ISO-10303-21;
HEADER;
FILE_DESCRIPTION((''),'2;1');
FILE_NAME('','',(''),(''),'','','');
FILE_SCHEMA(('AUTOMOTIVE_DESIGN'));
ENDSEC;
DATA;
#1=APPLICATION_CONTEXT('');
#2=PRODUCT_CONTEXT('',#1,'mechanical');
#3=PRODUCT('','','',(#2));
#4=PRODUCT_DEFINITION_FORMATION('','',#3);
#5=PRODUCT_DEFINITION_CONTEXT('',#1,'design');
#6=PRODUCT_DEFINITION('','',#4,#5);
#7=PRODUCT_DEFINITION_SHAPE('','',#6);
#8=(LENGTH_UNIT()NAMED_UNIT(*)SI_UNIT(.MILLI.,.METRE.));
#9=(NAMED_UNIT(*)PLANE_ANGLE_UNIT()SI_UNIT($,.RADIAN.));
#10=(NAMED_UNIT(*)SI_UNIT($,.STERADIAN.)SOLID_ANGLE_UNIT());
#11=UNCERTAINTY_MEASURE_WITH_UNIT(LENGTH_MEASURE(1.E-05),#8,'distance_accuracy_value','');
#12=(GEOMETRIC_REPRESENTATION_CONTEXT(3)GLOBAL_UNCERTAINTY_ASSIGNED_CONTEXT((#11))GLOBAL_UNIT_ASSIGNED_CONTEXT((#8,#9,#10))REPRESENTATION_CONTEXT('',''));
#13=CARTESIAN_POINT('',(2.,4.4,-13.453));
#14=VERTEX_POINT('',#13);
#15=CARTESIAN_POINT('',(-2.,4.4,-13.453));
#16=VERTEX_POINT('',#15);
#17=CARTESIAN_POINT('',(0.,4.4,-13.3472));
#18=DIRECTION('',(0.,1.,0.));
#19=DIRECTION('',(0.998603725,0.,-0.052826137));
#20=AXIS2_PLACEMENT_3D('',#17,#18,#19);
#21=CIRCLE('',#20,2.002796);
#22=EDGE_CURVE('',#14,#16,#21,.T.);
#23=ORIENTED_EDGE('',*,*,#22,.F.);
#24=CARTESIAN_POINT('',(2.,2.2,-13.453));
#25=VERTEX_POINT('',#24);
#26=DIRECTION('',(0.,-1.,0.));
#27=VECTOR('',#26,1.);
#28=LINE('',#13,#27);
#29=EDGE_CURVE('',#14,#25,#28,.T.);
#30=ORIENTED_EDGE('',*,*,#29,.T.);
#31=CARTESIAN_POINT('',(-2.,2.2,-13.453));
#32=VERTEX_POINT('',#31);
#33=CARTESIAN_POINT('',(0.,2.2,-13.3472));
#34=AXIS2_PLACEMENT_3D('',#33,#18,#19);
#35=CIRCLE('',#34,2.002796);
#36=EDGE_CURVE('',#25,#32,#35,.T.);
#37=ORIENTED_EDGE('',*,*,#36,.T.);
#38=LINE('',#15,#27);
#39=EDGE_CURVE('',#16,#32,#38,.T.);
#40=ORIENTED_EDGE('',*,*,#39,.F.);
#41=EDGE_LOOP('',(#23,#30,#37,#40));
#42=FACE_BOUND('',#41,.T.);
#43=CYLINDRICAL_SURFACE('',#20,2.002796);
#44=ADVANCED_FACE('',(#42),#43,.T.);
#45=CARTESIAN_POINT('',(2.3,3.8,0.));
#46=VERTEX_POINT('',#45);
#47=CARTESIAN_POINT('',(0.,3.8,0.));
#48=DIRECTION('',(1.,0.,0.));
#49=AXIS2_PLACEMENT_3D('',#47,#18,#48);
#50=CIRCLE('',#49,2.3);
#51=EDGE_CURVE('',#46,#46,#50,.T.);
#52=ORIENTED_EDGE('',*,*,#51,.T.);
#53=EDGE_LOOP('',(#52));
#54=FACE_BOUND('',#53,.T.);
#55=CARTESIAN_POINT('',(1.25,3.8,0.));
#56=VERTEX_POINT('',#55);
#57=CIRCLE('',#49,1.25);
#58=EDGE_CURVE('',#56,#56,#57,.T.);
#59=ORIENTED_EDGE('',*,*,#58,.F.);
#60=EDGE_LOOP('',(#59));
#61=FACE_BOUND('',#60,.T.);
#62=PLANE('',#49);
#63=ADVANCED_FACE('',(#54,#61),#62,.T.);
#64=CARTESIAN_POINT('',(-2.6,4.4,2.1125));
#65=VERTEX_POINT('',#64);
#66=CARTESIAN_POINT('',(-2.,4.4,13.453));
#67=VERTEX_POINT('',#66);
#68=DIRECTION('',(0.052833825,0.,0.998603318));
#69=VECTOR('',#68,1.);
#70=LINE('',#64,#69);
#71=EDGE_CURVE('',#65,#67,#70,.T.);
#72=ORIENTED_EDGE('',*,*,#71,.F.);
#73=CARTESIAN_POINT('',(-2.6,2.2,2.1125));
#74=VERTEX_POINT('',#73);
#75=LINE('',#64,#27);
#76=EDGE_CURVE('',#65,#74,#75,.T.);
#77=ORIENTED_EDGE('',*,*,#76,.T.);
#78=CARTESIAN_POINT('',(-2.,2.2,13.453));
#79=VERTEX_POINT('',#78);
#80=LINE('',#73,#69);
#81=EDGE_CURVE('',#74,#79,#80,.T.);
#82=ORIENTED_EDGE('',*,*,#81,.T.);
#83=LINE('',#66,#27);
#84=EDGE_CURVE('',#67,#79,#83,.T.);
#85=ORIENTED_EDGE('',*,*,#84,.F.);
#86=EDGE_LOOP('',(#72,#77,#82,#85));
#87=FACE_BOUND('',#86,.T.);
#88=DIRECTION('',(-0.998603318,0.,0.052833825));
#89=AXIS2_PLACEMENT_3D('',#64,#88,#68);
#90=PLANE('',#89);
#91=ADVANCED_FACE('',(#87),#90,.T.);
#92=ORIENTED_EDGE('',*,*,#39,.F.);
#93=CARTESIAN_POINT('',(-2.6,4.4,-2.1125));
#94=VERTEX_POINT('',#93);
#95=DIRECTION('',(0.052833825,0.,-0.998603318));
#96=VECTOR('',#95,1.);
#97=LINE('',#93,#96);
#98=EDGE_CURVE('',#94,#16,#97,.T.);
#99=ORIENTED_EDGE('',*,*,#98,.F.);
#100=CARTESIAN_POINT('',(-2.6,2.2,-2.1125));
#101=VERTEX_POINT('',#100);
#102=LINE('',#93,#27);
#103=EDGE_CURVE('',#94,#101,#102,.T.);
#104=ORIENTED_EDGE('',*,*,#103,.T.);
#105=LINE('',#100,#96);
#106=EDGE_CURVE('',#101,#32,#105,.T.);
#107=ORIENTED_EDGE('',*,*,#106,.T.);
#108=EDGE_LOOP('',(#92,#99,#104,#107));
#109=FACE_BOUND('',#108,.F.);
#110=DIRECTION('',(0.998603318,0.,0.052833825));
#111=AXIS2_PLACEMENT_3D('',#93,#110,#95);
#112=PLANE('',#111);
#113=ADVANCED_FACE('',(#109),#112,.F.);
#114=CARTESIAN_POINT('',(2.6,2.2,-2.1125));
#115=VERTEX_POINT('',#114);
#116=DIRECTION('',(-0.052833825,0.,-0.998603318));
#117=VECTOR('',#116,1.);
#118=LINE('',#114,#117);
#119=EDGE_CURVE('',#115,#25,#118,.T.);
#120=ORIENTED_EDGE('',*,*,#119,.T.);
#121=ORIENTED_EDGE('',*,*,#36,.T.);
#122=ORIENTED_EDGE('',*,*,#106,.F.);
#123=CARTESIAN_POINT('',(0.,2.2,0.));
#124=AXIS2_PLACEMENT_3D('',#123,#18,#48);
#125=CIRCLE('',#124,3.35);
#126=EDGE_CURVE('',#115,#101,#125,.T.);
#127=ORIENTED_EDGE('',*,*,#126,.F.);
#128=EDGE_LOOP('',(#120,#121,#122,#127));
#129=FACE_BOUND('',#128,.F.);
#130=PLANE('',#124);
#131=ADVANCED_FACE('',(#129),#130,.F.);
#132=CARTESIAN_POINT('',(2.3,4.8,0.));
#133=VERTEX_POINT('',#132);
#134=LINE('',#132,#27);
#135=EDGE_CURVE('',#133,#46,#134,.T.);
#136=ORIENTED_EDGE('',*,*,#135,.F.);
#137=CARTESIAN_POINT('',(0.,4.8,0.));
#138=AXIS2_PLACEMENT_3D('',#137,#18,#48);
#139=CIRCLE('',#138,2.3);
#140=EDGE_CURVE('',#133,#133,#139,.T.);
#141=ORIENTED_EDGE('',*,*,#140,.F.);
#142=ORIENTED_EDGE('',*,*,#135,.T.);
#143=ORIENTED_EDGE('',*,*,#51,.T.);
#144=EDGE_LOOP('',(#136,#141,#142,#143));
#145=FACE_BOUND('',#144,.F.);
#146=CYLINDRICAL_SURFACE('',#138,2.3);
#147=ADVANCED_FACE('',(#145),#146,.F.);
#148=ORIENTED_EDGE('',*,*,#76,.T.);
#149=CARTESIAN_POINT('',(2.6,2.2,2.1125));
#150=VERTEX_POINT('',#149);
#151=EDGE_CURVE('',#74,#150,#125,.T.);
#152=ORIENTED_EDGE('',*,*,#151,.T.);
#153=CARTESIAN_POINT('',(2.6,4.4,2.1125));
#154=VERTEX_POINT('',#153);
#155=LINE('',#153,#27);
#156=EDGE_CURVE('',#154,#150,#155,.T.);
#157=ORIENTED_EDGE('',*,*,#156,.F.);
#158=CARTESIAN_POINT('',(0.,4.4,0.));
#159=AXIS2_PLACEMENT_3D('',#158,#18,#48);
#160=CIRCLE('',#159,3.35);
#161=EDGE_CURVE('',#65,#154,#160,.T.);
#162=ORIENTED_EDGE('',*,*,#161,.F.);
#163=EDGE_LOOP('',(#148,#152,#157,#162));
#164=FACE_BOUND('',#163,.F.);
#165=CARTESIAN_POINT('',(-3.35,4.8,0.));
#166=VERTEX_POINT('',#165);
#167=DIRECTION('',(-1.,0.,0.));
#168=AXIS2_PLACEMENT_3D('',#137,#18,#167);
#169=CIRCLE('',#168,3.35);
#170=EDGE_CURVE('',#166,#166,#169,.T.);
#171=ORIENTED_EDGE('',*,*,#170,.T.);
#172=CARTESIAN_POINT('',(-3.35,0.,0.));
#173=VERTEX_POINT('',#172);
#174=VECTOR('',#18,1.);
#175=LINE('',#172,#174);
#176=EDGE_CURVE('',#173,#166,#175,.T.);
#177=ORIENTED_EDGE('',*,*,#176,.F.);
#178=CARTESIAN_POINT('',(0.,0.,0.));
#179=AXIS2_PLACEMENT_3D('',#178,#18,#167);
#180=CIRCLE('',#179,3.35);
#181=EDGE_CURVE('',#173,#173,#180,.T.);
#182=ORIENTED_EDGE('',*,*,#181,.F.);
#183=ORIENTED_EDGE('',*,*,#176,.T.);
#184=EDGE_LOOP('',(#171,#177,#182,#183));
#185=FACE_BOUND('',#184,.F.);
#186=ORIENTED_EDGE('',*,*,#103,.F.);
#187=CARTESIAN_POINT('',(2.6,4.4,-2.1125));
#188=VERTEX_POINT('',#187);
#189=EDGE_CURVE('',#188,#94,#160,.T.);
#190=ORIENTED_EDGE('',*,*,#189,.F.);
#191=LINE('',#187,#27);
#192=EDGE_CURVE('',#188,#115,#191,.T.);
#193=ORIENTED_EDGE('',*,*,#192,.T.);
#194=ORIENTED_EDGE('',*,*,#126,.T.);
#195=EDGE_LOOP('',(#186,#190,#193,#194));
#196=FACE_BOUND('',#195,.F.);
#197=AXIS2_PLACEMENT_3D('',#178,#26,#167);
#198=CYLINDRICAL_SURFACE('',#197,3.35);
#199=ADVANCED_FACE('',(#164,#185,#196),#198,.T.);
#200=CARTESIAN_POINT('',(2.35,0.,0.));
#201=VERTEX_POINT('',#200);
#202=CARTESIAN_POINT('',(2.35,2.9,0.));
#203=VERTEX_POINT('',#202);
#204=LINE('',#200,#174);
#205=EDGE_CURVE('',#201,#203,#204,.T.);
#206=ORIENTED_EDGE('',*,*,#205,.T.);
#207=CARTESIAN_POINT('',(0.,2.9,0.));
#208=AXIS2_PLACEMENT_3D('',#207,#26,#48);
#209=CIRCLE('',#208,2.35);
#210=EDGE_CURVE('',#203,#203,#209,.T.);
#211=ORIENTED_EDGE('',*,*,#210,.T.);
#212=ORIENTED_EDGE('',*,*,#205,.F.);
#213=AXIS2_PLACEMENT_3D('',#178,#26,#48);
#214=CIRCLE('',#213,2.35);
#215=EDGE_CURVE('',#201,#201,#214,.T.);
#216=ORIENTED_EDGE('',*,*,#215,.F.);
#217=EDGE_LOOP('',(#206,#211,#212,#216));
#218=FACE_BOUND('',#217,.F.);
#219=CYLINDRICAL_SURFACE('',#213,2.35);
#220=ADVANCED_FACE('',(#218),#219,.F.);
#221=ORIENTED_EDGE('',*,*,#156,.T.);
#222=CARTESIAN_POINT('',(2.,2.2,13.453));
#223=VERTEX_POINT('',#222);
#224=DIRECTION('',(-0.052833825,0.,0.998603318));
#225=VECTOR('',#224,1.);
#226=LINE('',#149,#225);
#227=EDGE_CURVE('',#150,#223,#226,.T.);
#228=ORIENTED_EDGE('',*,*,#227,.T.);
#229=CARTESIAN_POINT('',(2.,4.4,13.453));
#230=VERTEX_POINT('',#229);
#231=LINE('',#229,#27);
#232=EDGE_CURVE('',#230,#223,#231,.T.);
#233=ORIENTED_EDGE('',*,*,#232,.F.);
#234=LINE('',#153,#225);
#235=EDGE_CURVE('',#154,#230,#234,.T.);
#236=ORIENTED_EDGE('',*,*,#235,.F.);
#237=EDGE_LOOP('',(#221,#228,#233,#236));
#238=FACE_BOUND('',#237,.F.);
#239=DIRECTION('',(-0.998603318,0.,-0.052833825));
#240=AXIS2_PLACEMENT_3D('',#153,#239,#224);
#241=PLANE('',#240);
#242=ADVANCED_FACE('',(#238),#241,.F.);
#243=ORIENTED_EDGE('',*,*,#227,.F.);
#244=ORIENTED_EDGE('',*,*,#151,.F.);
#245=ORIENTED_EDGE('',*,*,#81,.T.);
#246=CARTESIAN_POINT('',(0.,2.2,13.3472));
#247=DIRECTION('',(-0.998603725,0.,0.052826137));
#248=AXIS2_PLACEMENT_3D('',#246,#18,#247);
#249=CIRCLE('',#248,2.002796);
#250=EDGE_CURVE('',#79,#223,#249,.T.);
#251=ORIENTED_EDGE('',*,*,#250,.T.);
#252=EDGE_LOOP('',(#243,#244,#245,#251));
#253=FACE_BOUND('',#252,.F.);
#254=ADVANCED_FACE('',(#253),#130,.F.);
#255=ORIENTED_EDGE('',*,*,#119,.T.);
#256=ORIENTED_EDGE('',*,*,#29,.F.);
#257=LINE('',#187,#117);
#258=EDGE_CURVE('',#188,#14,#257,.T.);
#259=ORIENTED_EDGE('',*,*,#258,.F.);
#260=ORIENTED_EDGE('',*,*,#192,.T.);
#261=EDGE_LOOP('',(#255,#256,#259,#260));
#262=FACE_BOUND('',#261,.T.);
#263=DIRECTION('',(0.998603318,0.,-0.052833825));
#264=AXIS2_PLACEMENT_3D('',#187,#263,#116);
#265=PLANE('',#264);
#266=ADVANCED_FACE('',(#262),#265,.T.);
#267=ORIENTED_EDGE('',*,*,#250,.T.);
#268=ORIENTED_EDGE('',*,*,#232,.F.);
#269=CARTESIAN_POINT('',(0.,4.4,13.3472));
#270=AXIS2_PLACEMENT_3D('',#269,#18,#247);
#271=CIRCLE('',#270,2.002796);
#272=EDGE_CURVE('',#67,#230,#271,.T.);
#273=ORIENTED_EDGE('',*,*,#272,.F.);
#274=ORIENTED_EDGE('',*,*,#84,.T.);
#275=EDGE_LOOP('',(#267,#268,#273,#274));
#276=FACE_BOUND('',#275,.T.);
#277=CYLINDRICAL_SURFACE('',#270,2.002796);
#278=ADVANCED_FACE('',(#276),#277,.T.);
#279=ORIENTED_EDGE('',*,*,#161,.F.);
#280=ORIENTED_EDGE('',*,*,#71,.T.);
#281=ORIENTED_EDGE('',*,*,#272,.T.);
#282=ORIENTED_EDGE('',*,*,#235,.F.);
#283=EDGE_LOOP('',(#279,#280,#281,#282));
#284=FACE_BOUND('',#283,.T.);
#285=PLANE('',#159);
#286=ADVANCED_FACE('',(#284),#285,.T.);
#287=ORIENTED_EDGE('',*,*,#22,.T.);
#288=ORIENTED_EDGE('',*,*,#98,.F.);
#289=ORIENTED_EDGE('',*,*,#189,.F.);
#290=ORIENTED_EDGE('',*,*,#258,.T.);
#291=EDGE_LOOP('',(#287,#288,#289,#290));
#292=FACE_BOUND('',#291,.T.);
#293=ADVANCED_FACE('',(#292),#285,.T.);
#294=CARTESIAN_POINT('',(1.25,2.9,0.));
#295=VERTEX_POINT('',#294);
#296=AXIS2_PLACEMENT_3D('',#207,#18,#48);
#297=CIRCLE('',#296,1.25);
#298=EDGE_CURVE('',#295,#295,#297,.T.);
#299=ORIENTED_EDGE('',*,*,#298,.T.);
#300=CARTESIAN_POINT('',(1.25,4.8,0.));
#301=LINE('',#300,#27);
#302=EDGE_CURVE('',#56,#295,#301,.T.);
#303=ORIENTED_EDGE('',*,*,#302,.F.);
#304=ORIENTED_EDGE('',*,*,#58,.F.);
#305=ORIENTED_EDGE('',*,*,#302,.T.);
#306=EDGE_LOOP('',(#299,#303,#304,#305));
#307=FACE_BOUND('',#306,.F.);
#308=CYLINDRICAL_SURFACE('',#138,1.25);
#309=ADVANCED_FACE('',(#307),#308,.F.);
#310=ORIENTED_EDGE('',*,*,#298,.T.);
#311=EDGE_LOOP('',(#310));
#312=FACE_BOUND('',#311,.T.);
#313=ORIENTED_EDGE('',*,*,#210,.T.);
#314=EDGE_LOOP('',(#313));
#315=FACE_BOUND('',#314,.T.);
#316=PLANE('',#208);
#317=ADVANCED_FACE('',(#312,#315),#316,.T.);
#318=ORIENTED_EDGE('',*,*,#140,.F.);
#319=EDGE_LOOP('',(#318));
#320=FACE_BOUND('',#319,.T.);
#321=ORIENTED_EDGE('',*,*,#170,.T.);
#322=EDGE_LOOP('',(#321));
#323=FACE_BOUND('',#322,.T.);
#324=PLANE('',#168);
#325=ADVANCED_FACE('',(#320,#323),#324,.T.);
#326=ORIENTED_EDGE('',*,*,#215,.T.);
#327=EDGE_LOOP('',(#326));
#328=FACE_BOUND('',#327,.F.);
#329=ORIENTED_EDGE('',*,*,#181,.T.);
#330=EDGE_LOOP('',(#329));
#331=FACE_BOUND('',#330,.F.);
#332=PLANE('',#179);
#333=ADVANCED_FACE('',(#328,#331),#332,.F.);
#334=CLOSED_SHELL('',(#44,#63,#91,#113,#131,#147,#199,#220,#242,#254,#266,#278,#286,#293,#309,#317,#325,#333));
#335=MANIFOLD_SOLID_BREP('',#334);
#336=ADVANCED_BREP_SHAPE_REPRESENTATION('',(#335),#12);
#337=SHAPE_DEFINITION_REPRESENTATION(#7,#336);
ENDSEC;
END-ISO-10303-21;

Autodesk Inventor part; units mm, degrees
ref_plane "YZ Plane" through (0, 0, 0) normal (1, 0, 0) x (0, 1, 0)
ref_plane "XZ Plane" through (0, 0, 0) normal (0, 1, 0) x (-1, 0, 0)
sketch "Sketch1" plane through (0, 0, 0) normal (0, 1, 0) x (-1, 0, 0)
  circle A0 centre (0, 0) radius 3.35
  dimension "d0" = 6.7
extrude "Extrusion1" add sketch "Sketch1" along normal blind 4.8
ref_plane "Work Plane1" through (0, 4.4, 0) normal (0, 1, 0) x (1, 0, 0)
sketch "Sketch2" plane through (0, 4.4, 0) normal (0, 1, 0) x (1, 0, 0)
  circle A0 centre (0, 0) radius 3.35 projected
  line L0 (-2.6, 2.1125) -> (-2, 13.453)
  circle A1 centre (0, 0) radius 3.35 projected
  line L1 (2.6, 2.1125) -> (2, 13.453)
  arc A2 (2, 13.453) -> (-2, 13.453) centre (0, 13.3472) ccw
  line L2 (-2, 13.453) -> (2, 13.453) construction
  line L3 (2.6, 2.1125) -> (-2.6, 2.1125) construction
  line L4 (0, 0) -> (-1.2831, 0)
  line L5 (-2.6, -2.1125) -> (-2, -13.453)
  line L6 (2.6, -2.1125) -> (2, -13.453)
  arc A3 (-2, -13.453) -> (2, -13.453) centre (0, -13.3472) ccw
  line L7 (-2, -13.453) -> (2, -13.453) construction
  line L8 (2.6, -2.1125) -> (-2.6, -2.1125) construction
  dimension "d4" = 5.2
  dimension "d5" = 12
  dimension "d6" = 4
extrude "Extrusion2" add sketch "Sketch2" against normal blind 2.2 contours A0 L0 A2 L1 | L6 A3 L5 A0
sketch "Sketch3" plane through (0, 4.8, 0) normal (0, 1, 0) x (1, 0, 0)
  circle A0 centre (0, 0) radius 1.25
  circle A1 centre (0, 0) radius 2.3
  dimension "d9" = 2.5
  dimension "d10" = 4.6
extrude "Extrusion3" cut sketch "Sketch3" against normal through all contours A0
extrude "Extrusion4" cut sketch "Sketch3" against normal blind 1
sketch "Sketch4" plane through (0, 0, 0) normal (0, -1, 0) x (1, 0, 0)
  circle A0 centre (0, 0) radius 2.35
  dimension "d15" = 4.7
extrude "Extrusion5" cut sketch "Sketch4" against normal blind 2.9
properties part number "attachmnet" material "Nylon 6/6"
